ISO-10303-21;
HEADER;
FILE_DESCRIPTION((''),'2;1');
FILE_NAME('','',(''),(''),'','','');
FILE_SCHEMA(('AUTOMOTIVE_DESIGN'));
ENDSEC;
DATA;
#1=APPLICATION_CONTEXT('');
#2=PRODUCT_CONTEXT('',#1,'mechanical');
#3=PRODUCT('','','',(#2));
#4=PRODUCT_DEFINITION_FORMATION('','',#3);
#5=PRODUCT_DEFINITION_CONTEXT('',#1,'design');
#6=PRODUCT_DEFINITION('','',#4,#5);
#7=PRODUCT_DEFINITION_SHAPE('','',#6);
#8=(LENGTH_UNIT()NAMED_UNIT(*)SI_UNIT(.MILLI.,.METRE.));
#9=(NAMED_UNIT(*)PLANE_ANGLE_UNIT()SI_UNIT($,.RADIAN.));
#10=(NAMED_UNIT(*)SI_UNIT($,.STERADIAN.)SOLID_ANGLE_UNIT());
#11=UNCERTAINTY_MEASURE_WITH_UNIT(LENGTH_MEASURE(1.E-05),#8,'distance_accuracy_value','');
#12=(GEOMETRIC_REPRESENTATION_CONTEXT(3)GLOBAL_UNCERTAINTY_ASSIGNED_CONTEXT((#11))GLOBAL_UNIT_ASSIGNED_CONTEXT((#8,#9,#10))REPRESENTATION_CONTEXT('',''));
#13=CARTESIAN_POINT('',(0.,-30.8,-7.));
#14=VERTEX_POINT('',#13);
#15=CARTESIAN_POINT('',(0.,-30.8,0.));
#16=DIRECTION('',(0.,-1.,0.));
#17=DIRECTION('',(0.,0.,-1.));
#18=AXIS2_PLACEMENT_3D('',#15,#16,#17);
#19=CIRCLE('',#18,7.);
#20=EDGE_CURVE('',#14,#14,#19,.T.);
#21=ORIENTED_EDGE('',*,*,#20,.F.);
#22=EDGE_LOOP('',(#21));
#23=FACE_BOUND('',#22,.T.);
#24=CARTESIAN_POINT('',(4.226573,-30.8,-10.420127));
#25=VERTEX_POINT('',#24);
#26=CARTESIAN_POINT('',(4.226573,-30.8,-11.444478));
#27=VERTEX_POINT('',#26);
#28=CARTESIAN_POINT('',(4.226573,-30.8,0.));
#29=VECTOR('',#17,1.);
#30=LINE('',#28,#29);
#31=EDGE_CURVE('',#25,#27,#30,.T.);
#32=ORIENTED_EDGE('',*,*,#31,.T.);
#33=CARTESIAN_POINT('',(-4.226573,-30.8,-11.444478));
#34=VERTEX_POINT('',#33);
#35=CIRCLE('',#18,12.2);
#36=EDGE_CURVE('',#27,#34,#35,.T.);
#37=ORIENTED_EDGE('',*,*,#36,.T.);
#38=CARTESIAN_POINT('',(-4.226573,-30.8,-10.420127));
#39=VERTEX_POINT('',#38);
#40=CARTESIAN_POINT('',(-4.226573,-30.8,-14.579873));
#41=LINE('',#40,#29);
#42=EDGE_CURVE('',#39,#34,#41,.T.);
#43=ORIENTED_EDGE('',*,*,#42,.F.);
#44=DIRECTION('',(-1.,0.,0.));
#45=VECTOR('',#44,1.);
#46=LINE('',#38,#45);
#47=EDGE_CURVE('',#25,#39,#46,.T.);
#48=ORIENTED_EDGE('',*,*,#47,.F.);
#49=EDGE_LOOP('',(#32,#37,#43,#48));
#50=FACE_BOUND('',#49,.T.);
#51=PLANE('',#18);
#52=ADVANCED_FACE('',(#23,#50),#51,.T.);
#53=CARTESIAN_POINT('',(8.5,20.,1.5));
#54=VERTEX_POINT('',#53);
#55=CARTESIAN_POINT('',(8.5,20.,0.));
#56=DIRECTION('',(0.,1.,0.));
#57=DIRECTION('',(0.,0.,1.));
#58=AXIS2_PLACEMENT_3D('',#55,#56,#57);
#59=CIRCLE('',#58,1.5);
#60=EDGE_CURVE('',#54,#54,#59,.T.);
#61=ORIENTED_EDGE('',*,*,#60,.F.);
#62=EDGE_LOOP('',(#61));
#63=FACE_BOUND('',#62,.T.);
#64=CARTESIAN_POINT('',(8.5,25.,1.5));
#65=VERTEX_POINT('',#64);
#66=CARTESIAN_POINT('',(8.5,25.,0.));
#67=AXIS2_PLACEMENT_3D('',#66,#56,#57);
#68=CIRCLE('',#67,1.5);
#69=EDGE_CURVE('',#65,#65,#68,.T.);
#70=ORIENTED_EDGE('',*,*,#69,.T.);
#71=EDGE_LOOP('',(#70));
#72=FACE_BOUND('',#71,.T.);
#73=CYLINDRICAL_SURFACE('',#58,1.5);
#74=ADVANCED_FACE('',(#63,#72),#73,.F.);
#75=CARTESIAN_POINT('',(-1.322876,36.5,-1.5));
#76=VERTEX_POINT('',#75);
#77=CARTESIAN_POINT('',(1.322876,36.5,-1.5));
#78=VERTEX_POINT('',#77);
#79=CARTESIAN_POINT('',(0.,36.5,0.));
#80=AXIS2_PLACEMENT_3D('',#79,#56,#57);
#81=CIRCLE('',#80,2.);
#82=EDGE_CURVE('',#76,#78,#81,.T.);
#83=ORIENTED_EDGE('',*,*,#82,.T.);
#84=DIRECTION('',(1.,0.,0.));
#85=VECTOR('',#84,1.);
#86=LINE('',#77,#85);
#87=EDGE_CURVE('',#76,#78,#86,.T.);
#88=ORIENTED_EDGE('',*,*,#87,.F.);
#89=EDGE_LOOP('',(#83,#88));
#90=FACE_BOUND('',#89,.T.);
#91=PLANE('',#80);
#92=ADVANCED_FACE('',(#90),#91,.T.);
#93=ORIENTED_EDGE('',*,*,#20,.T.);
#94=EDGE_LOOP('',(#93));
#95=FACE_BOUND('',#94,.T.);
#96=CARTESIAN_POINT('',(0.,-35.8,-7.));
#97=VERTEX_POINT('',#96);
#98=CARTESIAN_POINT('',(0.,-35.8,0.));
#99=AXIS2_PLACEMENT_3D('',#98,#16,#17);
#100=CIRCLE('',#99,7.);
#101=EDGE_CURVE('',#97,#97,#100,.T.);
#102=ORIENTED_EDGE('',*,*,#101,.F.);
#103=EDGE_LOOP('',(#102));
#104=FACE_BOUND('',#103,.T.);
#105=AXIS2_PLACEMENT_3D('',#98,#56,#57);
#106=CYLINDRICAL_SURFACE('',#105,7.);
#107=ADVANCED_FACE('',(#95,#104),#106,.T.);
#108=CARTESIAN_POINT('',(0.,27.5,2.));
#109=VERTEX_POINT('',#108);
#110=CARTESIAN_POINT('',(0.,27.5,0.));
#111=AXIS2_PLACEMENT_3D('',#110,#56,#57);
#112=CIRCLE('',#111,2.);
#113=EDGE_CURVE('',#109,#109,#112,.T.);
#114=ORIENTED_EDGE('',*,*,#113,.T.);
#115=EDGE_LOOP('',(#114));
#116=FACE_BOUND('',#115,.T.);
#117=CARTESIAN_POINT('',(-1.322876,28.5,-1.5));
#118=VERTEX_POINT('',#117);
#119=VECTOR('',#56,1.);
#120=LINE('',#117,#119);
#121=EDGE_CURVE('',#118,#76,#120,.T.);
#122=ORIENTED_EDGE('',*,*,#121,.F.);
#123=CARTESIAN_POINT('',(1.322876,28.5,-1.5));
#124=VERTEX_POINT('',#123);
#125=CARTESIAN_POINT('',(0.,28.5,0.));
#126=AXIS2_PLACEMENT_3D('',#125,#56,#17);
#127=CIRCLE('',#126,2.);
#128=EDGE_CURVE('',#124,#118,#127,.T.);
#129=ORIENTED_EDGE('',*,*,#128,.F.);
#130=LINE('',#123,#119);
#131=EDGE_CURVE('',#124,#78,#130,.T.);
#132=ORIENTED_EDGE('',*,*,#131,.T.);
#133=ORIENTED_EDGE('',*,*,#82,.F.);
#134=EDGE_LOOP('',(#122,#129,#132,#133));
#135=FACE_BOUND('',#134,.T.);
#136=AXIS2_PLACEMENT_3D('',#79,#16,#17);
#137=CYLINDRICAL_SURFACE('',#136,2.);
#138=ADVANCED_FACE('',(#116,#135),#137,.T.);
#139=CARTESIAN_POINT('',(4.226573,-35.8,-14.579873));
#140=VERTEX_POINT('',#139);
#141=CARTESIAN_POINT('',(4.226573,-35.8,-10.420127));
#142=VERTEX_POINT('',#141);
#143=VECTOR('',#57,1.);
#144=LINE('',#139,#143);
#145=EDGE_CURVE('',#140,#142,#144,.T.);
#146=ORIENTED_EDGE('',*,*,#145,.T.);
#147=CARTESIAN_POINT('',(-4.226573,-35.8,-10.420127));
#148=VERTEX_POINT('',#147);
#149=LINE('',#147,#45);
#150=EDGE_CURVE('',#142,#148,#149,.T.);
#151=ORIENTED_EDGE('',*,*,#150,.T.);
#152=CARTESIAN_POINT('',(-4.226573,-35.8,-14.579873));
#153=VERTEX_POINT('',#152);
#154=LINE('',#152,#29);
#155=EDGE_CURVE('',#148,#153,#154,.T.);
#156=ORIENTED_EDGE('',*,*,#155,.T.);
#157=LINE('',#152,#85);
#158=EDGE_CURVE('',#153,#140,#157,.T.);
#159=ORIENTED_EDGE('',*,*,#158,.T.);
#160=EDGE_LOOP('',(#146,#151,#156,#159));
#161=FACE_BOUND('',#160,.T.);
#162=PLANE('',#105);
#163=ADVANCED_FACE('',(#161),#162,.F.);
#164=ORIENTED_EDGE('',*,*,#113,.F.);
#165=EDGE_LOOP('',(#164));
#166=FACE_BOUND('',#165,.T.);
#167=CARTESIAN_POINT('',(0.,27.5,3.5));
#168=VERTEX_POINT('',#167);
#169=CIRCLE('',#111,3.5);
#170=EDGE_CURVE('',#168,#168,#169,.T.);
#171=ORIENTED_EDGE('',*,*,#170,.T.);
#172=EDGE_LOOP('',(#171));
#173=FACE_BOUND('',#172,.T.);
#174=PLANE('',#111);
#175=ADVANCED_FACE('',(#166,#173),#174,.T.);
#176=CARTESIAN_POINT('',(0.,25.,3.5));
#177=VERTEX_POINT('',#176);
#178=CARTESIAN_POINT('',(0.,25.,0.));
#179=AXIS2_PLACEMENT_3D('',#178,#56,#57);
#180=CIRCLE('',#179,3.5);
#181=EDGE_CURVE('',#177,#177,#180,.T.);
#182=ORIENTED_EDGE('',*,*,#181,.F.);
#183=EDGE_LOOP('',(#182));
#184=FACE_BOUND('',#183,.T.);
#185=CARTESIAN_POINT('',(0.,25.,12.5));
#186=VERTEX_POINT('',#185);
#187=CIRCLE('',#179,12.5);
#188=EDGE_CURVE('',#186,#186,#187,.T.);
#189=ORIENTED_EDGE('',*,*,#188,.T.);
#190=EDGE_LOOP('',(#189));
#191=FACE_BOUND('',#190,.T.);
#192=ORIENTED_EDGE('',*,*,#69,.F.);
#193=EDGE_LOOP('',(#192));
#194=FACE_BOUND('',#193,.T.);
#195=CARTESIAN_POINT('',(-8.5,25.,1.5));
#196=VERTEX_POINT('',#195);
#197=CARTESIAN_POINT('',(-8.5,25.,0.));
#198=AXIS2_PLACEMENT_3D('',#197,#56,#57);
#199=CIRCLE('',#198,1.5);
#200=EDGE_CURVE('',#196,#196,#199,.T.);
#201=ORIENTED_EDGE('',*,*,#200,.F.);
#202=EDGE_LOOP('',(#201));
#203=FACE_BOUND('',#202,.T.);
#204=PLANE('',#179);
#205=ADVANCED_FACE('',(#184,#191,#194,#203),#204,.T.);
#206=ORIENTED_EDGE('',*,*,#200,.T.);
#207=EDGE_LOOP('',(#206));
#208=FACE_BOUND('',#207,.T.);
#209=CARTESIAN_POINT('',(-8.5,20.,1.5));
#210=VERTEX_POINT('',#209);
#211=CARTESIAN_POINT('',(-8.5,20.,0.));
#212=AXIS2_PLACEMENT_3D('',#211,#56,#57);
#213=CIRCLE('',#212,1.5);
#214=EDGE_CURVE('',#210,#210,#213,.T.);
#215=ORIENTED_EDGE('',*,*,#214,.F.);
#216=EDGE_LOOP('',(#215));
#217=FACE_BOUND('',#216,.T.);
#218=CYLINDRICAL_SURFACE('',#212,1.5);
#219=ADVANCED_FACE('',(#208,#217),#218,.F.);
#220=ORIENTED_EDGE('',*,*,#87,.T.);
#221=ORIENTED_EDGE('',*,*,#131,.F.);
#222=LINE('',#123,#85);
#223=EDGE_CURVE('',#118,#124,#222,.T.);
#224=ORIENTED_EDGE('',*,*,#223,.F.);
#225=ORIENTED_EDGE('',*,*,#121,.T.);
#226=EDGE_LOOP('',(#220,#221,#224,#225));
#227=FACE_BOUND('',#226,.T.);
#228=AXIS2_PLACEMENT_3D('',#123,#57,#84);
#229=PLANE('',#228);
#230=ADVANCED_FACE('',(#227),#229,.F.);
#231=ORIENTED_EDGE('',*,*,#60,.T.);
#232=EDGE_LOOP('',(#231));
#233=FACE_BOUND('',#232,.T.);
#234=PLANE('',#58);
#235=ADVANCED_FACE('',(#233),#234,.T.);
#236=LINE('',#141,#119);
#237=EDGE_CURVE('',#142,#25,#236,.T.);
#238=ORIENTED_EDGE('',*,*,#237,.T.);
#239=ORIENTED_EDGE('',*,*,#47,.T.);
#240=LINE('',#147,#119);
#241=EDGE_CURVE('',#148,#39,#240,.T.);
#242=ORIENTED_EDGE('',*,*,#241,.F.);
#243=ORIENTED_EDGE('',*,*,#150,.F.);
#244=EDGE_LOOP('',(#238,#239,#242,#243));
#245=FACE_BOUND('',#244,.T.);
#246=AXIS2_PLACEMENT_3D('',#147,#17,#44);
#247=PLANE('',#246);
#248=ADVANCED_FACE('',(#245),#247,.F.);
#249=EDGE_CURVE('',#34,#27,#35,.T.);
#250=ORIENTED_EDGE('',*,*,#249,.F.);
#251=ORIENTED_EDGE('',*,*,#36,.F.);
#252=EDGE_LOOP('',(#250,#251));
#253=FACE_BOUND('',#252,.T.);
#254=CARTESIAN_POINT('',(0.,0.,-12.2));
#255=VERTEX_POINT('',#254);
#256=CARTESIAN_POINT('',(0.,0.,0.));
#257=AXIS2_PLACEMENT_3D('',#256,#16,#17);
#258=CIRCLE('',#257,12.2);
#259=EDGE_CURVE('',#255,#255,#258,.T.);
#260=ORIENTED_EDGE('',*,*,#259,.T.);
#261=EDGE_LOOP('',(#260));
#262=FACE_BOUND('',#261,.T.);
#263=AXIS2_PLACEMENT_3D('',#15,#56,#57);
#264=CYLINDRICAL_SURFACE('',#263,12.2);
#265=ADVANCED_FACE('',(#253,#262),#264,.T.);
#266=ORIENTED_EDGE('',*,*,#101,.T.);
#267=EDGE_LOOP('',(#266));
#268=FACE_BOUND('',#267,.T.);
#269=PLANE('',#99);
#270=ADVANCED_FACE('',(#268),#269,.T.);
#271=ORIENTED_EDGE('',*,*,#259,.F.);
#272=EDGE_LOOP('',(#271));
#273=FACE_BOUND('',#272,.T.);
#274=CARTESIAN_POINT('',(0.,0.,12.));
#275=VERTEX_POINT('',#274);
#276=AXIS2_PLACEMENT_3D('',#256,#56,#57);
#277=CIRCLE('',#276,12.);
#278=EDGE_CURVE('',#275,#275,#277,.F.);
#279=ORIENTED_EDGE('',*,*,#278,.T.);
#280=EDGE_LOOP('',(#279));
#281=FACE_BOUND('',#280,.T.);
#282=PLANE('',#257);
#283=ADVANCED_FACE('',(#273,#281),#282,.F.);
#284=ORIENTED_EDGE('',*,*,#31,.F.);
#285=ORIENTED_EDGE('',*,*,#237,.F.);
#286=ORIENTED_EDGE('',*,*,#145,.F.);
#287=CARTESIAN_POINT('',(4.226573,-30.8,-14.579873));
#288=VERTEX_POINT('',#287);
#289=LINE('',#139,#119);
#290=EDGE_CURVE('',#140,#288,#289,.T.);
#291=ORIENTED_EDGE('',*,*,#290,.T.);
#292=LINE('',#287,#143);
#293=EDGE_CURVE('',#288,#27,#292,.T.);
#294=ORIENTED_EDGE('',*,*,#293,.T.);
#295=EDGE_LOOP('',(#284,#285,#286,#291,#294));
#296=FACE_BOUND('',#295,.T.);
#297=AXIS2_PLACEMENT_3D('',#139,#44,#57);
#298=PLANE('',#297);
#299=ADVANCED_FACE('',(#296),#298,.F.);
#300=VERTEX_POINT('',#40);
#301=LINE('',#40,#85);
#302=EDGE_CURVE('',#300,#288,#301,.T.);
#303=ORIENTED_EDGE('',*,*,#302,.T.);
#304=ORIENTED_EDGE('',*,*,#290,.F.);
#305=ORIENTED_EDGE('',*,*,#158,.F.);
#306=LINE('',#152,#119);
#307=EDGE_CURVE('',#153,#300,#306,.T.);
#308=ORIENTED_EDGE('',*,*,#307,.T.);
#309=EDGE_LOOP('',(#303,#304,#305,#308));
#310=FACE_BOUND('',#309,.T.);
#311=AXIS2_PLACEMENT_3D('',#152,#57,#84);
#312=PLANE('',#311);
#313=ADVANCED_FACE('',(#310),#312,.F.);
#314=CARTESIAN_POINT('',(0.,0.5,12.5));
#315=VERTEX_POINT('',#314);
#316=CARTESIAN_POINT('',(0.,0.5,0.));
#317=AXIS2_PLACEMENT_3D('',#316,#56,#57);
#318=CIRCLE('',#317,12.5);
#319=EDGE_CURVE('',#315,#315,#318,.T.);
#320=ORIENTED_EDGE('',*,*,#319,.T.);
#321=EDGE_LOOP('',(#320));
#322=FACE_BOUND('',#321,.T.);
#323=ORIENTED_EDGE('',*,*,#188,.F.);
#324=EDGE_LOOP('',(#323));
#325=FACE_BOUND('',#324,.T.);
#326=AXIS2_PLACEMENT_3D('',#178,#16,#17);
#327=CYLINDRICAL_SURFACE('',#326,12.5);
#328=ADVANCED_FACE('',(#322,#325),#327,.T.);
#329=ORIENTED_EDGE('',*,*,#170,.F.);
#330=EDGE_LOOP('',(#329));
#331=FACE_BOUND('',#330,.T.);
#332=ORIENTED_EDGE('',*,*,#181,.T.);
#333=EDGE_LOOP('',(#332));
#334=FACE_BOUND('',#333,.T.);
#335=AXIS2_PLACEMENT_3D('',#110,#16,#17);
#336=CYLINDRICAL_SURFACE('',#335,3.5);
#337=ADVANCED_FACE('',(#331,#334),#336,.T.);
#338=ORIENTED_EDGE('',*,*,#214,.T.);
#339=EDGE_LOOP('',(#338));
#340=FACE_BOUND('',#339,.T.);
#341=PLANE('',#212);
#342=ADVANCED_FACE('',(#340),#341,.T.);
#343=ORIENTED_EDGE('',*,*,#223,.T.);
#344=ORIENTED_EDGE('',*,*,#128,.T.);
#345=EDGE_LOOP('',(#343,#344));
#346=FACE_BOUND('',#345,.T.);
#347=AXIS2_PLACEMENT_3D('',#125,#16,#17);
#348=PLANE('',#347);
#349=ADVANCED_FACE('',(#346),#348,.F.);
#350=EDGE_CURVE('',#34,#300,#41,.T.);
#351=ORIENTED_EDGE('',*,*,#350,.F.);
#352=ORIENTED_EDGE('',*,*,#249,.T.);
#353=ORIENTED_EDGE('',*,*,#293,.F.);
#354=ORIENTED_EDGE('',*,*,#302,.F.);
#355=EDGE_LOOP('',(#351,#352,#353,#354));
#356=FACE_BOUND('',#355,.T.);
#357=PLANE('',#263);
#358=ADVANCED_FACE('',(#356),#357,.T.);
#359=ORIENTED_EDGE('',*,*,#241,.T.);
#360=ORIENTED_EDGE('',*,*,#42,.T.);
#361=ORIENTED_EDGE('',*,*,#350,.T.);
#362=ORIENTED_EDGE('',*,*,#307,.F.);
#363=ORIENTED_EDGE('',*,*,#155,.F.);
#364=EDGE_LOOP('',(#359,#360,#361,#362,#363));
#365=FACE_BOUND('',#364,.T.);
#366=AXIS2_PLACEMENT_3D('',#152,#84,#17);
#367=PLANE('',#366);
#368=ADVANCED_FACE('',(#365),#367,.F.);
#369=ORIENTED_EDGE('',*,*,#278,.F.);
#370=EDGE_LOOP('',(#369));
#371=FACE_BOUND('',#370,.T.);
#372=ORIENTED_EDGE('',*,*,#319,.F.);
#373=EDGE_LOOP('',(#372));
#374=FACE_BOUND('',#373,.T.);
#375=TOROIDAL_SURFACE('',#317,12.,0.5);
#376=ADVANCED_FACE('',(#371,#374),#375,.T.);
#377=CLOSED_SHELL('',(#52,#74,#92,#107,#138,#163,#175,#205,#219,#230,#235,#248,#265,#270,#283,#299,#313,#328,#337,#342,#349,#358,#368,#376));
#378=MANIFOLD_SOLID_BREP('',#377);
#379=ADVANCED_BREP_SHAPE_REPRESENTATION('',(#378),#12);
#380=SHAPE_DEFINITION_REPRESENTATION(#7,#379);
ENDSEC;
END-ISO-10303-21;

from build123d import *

# Parameters (mm, degrees)
SKETCH1_R           = 12.5
BOSS_EXTRUDE1_DEPTH = 25
FILLET1_R           = 0.5
SKETCH3_R           = 12.2
BOSS_EXTRUDE2_DEPTH = 30.8
SKETCH4_R           = 3.5
BOSS_EXTRUDE3_DEPTH = 2.5
SKETCH5_R           = 2
BOSS_EXTRUDE4_DEPTH = 9
CUT_EXTRUDE1_START  = -8
CUT_EXTRUDE1_DEPTH  = 8
SKETCH7_R           = 1.5
CUT_EXTRUDE2_DEPTH  = 5
SKETCH8_R           = 7
SKETCH8_W           = 8.453145494
SKETCH8_H           = 4.159745146
BOSS_EXTRUDE5_DEPTH = 5


with BuildPart() as part:
    # Sketch1 → Boss-Extrude1 (new body)
    with BuildSketch(Plane(origin=(0, 0, 0), x_dir=(1, 0, 0), z_dir=(0, 1, 0))):
        with Locations(Location((0, 0, 0), (0, 0, 270))):
            Circle(SKETCH1_R)
    extrude(amount=BOSS_EXTRUDE1_DEPTH)

    # Fillet1
    fillet1_edges = [part.edges().sort_by_distance(p)[0] for p in [
        (0, 0, -12.5),
    ]]
    fillet(fillet1_edges, radius=FILLET1_R)

    # Sketch3 → Boss-Extrude2 (add)
    with BuildSketch(Plane.XZ):
        with Locations(Location((0, 0, 0), (0, 0, 90))):
            Circle(SKETCH3_R)
    extrude(amount=BOSS_EXTRUDE2_DEPTH)

    # Sketch4 → Boss-Extrude3 (add)
    with BuildSketch(Plane(origin=(0, 25, 0), x_dir=(1, 0, 0), z_dir=(0, 1, 0))):
        with Locations(Location((0, 0, 0), (0, 0, 270))):
            Circle(SKETCH4_R)
    extrude(amount=BOSS_EXTRUDE3_DEPTH)

    # Sketch5 → Boss-Extrude4 (add)
    with BuildSketch(Plane(origin=(0, 27.5, 0), x_dir=(1, 0, 0), z_dir=(0, 1, 0))):
        with Locations(Location((0, 0, 0), (0, 0, 270))):
            Circle(SKETCH5_R)
    extrude(amount=BOSS_EXTRUDE4_DEPTH)

    # Sketch6 → Cut-Extrude1 (cut)
    with BuildSketch(Plane(origin=(0, 36.5, 0), x_dir=(1, 0, 0), z_dir=(0, 1, 0)).offset(CUT_EXTRUDE1_START)):
        with BuildLine():
            Line((1.322875656, 1.5), (-1.322875656, 1.5))
            ThreePointArc((-1.322875656, 1.5), (0, 2), (1.322875656, 1.5))
        make_face()
    extrude(amount=CUT_EXTRUDE1_DEPTH, mode=Mode.SUBTRACT)

    # Sketch7 → Cut-Extrude2 (cut)
    with BuildSketch(Plane(origin=(0, 25, 0), x_dir=(1, 0, 0), z_dir=(0, 1, 0))):
        with Locations(Location((-8.5, 0, 0), (0, 0, 270))):
            Circle(SKETCH7_R)
        with Locations(Location((8.5, 0, 0), (0, 0, 270))):
            Circle(SKETCH7_R)
    extrude(amount=-CUT_EXTRUDE2_DEPTH, mode=Mode.SUBTRACT)

    # Sketch8 → Boss-Extrude5 (add)
    with BuildSketch(Plane.XZ.offset(30.8)):
        with Locations(Location((0, 0, 0), (0, 0, 270))):
            Circle(SKETCH8_R)
        with Locations((0, -12.5)):
            Rectangle(SKETCH8_W, SKETCH8_H)
    extrude(amount=BOSS_EXTRUDE5_DEPTH)


solid = part.part
